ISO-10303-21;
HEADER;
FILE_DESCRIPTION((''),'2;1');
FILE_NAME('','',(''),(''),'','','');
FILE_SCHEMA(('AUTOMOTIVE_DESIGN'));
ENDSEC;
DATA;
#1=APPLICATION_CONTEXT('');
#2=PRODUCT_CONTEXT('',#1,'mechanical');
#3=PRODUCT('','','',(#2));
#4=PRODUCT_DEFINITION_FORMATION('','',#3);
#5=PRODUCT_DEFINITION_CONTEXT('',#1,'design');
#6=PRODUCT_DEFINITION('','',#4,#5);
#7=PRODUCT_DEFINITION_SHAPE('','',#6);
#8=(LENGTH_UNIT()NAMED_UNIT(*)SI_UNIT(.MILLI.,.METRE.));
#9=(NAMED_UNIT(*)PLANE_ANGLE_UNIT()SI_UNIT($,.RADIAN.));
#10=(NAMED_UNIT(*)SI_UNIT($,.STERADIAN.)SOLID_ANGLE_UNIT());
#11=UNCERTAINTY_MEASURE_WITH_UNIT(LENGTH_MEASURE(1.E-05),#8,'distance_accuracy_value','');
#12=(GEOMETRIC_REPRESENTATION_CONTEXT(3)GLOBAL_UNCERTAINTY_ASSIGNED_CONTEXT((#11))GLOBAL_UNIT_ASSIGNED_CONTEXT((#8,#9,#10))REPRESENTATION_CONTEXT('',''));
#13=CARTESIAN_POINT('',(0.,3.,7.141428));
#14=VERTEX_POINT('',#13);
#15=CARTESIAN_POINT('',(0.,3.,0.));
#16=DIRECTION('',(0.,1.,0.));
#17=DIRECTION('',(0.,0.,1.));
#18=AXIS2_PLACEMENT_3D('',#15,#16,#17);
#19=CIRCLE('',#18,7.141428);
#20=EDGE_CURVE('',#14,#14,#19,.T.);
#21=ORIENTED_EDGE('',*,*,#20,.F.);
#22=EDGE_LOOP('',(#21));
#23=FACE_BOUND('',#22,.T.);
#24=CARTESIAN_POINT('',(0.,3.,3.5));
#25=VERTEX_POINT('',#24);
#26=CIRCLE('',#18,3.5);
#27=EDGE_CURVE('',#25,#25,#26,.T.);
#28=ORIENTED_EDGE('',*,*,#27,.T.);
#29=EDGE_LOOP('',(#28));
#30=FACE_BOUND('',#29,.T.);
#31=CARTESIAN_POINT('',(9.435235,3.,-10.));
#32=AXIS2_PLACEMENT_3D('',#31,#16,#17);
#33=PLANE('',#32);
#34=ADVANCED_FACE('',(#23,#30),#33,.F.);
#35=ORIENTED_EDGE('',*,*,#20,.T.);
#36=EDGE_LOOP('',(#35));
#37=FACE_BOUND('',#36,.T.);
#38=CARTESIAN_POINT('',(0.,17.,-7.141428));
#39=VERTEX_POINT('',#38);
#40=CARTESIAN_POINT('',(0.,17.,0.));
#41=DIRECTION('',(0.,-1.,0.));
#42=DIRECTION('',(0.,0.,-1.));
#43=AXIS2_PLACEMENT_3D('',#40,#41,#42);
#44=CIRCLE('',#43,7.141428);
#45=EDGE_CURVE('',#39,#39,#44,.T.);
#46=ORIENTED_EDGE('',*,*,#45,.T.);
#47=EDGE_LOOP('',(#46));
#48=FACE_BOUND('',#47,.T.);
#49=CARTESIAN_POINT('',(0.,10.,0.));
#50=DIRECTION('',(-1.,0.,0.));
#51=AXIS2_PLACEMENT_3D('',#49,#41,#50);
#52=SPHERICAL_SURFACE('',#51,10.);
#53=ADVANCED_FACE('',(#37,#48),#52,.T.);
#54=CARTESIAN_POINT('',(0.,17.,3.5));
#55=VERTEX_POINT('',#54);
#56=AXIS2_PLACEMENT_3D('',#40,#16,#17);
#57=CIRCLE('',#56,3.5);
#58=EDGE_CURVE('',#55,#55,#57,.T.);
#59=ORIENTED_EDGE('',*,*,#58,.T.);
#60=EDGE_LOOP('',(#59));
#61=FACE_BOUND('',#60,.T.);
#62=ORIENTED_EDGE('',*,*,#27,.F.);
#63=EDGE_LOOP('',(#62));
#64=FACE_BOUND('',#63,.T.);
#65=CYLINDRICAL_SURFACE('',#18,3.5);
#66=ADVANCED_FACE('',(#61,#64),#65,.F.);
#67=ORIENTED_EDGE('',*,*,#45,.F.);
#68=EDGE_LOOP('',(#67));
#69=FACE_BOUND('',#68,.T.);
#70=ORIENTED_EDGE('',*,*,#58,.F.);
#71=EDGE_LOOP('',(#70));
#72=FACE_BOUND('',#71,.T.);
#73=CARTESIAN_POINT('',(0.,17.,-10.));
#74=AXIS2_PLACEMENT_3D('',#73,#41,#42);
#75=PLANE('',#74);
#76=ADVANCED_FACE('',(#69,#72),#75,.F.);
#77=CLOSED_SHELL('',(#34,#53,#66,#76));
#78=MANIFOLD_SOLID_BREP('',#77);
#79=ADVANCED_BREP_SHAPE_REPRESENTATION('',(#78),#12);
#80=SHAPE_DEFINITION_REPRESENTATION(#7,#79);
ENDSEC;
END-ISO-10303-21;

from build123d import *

# Parameters (mm, degrees)
CUT_EXTRUDE1_DEPTH      = 11
CUT_EXTRUDE1_DEPTH_BACK = 11
SKETCH4_R               = 3.5
CUT_EXTRUDE2_DEPTH      = 15


with BuildPart() as part:
    # Sketch1 → Revolve1 (revolve)
    with BuildSketch(Plane.XY):
        with BuildLine():
            ThreePointArc((0, 20), (10, 10), (0, 0))
            Line((0, 0), (0, 20))
        make_face()
    revolve(axis=Axis((0, 0, 0), (0, 1, 0)))

    # Sketch3 → Cut-Extrude1 (cut, two sides)
    with BuildSketch(Plane.XY) as cut_extrude1_sk:
        Polygon((0, 17), (-8.309800503, 17), (-8.309800503, 20), (9.435235491, 20), (9.435235491, 17), align=None)
        Polygon((0, 0), (9.435235491, 0), (9.435235491, 3), (-8.578664685, 3), (-8.578664685, 0), align=None)
    extrude(amount=CUT_EXTRUDE1_DEPTH, mode=Mode.SUBTRACT)
    extrude(cut_extrude1_sk.sketch, amount=-CUT_EXTRUDE1_DEPTH_BACK, mode=Mode.SUBTRACT)

    # Sketch4 → Cut-Extrude2 (cut, through all)
    with BuildSketch(Plane(origin=(0, 17, 0), x_dir=(1, 0, 0), z_dir=(0, 1, 0))):
        Circle(SKETCH4_R)
    extrude(amount=-CUT_EXTRUDE2_DEPTH, mode=Mode.SUBTRACT)


solid = part.part
